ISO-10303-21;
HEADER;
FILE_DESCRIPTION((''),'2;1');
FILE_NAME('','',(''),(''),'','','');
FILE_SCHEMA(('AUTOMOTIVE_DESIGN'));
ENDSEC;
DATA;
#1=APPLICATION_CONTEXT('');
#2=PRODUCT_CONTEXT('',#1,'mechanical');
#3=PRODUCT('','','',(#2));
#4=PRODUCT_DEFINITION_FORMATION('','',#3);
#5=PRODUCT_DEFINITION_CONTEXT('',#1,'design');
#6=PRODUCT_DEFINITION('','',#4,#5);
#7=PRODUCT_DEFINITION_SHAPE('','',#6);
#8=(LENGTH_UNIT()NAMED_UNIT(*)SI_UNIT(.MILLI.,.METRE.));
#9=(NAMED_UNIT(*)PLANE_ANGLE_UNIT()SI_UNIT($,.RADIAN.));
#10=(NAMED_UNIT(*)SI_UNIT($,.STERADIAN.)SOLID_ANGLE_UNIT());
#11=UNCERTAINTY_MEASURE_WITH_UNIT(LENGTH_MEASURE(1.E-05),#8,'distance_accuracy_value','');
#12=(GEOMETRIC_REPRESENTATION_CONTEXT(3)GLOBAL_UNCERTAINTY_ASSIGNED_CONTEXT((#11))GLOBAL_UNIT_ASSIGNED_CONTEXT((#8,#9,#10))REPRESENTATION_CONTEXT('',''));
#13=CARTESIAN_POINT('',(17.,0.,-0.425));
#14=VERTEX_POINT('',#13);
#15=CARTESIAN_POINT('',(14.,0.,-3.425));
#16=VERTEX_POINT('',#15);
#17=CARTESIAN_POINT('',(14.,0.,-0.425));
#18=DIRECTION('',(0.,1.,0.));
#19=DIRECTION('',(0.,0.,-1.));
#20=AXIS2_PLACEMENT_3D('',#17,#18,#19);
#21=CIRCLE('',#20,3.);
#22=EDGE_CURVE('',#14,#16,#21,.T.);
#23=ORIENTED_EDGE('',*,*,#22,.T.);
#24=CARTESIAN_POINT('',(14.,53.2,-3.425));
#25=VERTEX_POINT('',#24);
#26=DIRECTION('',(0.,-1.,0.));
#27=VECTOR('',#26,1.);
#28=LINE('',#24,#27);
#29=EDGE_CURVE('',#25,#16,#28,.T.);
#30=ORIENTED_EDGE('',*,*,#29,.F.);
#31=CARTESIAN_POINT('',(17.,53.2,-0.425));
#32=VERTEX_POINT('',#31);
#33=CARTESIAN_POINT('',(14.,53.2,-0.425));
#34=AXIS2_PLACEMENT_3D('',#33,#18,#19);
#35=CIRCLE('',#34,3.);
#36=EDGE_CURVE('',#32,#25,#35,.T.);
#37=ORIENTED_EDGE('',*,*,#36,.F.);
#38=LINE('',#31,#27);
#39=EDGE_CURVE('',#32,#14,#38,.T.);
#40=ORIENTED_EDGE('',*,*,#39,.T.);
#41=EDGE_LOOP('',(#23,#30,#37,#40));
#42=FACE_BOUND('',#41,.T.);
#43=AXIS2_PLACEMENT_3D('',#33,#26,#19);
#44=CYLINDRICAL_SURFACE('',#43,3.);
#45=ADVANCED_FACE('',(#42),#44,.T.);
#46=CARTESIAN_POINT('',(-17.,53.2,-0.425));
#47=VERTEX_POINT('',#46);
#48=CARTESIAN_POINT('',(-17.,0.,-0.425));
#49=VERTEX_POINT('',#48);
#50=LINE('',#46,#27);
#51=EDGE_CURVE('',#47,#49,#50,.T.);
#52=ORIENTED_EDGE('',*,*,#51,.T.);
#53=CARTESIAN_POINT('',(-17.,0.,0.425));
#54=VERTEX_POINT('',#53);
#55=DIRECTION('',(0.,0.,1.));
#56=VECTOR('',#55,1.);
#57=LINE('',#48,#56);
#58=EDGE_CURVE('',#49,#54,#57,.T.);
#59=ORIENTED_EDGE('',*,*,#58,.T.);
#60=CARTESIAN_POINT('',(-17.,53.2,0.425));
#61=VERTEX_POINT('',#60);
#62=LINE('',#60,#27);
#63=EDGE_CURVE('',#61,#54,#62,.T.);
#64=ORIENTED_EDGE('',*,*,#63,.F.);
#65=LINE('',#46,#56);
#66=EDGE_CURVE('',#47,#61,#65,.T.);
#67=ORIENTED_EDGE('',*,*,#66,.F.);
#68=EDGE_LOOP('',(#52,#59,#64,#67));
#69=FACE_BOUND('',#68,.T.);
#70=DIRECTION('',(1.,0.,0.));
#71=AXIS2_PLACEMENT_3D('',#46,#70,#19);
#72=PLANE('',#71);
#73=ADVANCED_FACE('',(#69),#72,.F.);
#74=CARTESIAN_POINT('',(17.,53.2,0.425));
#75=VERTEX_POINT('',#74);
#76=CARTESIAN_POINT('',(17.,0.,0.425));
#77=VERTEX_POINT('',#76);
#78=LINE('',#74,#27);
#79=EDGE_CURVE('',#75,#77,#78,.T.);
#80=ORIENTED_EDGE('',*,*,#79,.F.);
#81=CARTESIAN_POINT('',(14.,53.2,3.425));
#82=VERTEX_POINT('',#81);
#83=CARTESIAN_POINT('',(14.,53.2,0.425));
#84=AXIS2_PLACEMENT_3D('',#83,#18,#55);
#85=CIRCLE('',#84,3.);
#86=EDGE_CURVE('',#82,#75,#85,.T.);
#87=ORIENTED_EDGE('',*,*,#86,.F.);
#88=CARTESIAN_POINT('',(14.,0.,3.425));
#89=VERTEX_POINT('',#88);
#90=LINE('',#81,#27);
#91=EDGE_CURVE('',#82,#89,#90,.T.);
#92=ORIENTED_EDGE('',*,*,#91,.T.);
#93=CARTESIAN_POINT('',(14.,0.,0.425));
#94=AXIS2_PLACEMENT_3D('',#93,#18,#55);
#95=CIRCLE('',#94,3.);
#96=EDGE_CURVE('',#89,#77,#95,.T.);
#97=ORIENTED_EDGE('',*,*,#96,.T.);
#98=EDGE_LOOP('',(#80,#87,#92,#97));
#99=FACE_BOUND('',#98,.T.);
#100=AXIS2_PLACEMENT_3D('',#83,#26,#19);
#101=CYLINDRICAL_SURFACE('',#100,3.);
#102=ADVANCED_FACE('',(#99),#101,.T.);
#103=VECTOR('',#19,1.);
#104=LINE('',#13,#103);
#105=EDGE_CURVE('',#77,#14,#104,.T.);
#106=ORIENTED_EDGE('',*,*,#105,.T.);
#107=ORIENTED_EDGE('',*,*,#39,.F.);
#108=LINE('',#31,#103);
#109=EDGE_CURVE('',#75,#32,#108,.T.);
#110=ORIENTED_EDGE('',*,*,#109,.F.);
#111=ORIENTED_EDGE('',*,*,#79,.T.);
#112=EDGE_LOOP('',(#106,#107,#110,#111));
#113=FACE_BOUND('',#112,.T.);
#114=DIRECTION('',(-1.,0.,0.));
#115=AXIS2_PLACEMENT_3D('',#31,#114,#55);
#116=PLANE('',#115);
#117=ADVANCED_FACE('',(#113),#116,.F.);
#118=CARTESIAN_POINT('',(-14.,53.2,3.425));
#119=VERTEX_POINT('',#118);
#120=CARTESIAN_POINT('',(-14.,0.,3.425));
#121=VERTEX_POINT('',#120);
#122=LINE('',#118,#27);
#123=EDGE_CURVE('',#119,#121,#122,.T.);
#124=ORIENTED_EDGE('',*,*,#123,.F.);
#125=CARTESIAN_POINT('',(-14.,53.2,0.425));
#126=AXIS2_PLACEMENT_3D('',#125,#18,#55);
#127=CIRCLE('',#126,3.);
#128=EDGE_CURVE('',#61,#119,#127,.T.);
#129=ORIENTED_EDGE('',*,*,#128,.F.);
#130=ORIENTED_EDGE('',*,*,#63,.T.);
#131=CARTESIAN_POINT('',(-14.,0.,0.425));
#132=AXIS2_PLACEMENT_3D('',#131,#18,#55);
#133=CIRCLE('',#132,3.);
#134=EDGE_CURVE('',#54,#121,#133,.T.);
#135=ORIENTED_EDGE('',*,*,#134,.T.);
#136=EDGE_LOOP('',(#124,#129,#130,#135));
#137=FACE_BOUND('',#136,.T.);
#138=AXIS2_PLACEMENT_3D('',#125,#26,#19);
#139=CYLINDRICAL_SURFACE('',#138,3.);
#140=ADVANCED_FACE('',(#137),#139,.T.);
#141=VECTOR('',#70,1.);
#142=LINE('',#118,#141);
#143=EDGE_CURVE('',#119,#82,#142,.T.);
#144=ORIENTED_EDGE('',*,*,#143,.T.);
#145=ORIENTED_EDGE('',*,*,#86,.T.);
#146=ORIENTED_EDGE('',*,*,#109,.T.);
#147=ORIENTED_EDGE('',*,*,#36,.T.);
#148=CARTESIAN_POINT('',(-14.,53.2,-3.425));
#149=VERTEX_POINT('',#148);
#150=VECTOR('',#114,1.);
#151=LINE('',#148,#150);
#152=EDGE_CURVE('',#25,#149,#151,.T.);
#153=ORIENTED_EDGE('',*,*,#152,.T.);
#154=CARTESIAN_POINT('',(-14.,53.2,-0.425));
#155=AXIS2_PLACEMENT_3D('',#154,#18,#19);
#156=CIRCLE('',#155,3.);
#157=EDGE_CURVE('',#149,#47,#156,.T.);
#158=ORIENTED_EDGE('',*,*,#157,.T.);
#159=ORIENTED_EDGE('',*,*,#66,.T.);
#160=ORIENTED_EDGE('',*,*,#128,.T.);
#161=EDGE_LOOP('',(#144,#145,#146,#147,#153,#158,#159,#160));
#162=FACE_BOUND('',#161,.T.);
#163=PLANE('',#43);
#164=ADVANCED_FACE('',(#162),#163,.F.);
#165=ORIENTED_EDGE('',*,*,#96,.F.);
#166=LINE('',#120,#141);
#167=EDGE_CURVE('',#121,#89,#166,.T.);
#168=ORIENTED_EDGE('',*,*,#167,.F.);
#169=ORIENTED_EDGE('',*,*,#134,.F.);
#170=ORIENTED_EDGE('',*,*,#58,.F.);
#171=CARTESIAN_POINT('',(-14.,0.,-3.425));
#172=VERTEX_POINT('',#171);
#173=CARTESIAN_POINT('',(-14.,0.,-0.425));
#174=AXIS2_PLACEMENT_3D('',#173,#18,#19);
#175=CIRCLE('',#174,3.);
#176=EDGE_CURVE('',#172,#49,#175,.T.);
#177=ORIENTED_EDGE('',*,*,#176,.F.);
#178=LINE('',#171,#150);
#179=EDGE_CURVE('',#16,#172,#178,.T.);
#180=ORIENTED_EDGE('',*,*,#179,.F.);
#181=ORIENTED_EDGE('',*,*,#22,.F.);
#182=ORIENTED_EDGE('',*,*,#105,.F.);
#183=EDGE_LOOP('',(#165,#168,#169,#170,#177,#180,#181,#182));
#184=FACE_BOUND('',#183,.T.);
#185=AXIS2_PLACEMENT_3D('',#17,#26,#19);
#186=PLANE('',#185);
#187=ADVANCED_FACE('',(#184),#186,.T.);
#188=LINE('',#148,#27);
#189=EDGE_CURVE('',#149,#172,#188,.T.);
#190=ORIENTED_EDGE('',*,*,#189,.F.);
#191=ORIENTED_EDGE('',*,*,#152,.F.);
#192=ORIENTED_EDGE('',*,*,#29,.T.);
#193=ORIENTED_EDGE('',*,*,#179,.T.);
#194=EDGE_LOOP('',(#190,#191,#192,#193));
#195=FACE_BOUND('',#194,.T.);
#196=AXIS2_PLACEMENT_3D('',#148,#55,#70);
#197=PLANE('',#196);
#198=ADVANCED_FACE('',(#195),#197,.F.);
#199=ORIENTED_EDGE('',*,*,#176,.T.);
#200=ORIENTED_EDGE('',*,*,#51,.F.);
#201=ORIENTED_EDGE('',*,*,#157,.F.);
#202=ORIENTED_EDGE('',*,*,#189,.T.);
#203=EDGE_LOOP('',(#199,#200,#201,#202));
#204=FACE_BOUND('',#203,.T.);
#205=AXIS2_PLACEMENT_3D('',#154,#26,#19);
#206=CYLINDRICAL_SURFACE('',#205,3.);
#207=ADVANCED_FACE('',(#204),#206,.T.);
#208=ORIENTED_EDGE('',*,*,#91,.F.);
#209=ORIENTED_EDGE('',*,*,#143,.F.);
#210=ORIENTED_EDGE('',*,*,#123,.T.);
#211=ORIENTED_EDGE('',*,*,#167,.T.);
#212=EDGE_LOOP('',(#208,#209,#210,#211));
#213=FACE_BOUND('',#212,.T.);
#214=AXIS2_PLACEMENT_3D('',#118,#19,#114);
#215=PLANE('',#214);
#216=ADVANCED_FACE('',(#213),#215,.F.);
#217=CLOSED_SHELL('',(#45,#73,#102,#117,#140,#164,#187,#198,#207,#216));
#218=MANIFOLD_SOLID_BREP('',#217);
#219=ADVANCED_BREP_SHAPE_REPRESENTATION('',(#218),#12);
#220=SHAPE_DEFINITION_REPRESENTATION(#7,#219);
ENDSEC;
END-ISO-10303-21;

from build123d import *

# Parameters (mm, degrees)
EXTRUDE_1_DEPTH = 53.2


with BuildPart() as part:
    # Эскиз1 → Бобышка-Вытянуть1 (new body)
    with BuildSketch(Plane(origin=(0, 0, 0), x_dir=(1, 0, 0), z_dir=(0, 1, 0))):
        with BuildLine():
            Line((-14, 3.425), (14, 3.425))
            ThreePointArc((14, 3.425), (16.121320344, 2.546320344), (17, 0.425))
            Line((17, 0.425), (17, -0.425))
            ThreePointArc((17, -0.425), (16.121320344, -2.546320344), (14, -3.425))
            Line((14, -3.425), (-14, -3.425))
            ThreePointArc((-14, -3.425), (-16.121320344, -2.546320344), (-17, -0.425))
            Line((-17, -0.425), (-17, 0.425))
            ThreePointArc((-17, 0.425), (-16.121320344, 2.546320344), (-14, 3.425))
        make_face()
    extrude(amount=EXTRUDE_1_DEPTH)


solid = part.part
